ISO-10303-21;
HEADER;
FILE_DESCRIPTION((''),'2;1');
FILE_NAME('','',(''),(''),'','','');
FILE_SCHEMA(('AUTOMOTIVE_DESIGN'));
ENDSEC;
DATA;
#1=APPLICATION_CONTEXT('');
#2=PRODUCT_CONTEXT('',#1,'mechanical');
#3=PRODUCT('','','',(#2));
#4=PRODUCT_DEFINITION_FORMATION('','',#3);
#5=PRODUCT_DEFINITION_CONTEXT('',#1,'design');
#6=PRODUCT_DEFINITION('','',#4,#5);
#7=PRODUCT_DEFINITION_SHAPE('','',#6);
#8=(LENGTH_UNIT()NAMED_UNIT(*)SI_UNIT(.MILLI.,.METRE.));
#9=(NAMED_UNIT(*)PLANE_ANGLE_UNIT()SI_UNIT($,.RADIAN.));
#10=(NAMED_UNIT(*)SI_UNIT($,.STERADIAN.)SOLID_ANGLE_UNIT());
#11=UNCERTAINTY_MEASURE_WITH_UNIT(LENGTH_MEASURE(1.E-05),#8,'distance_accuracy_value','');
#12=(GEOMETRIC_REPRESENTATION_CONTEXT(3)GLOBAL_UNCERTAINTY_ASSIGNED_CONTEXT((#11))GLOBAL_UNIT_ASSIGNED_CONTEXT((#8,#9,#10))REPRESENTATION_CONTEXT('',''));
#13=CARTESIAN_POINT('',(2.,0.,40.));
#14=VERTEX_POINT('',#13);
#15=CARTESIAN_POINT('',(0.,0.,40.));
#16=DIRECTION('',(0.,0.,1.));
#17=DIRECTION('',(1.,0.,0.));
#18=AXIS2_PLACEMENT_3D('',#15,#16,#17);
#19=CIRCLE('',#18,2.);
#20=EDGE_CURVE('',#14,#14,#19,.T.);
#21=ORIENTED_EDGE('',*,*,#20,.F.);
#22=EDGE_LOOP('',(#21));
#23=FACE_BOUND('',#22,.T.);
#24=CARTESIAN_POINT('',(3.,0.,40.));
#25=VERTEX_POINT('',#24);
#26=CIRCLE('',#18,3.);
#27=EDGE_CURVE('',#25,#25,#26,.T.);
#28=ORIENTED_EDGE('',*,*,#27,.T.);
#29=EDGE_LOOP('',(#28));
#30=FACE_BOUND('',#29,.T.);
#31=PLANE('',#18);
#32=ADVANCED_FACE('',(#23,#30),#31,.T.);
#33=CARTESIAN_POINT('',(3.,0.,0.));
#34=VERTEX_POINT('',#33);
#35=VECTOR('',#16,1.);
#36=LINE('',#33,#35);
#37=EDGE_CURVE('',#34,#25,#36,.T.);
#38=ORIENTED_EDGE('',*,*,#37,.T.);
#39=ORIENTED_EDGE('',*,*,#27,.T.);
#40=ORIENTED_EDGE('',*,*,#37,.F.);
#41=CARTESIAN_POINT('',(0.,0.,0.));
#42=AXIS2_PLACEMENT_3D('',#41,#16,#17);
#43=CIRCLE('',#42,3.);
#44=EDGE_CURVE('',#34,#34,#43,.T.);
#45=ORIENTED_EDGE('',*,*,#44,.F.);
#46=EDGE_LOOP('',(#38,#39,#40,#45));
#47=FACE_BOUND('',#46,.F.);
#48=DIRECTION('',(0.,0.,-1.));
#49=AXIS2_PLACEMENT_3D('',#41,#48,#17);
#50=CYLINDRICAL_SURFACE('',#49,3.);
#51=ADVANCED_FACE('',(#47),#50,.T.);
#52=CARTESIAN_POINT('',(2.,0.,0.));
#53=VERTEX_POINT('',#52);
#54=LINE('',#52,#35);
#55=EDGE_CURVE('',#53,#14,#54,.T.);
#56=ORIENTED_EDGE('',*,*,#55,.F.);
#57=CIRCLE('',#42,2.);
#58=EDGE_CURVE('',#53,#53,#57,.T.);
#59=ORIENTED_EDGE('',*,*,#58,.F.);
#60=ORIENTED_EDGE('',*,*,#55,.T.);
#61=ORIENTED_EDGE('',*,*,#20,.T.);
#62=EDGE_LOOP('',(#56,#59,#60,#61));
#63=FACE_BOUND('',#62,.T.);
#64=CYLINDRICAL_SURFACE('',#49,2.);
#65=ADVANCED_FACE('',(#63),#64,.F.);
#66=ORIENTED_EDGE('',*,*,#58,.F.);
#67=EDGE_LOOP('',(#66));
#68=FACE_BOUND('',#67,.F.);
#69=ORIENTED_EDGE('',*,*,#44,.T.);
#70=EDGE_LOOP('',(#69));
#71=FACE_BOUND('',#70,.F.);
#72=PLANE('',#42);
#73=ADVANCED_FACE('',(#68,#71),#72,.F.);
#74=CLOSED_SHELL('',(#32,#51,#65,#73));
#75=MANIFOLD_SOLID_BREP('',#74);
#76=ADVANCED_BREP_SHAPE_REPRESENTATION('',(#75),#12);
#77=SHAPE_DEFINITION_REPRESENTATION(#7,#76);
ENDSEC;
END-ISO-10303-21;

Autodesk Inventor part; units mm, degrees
ref_plane "YZ Plane" through (0, 0, 0) normal (1, 0, 0) x (0, 1, 0)
ref_plane "XZ Plane" through (0, 0, 0) normal (0, 1, 0) x (-1, 0, 0)
ref_plane "XY Plane" through (0, 0, 0) normal (0, 0, 1) x (1, 0, 0)
sketch "Sketch1" plane through (0, 0, 0) normal (0, 0, 1) x (1, 0, 0)
  line L0 (0, 4.2) -> (0, -4.2) construction
  line L1 (-4.2, 0) -> (4.2, 0) construction
  circle A0 centre (0, 0) radius 2
  circle A1 centre (0, 0) radius 3
  dimension "d4" = 6
  dimension "d5" = 4
extrude "Extrusion3" add sketch "Sketch1" along normal blind 40
properties part number "17-0028-0104" material "Copper"
